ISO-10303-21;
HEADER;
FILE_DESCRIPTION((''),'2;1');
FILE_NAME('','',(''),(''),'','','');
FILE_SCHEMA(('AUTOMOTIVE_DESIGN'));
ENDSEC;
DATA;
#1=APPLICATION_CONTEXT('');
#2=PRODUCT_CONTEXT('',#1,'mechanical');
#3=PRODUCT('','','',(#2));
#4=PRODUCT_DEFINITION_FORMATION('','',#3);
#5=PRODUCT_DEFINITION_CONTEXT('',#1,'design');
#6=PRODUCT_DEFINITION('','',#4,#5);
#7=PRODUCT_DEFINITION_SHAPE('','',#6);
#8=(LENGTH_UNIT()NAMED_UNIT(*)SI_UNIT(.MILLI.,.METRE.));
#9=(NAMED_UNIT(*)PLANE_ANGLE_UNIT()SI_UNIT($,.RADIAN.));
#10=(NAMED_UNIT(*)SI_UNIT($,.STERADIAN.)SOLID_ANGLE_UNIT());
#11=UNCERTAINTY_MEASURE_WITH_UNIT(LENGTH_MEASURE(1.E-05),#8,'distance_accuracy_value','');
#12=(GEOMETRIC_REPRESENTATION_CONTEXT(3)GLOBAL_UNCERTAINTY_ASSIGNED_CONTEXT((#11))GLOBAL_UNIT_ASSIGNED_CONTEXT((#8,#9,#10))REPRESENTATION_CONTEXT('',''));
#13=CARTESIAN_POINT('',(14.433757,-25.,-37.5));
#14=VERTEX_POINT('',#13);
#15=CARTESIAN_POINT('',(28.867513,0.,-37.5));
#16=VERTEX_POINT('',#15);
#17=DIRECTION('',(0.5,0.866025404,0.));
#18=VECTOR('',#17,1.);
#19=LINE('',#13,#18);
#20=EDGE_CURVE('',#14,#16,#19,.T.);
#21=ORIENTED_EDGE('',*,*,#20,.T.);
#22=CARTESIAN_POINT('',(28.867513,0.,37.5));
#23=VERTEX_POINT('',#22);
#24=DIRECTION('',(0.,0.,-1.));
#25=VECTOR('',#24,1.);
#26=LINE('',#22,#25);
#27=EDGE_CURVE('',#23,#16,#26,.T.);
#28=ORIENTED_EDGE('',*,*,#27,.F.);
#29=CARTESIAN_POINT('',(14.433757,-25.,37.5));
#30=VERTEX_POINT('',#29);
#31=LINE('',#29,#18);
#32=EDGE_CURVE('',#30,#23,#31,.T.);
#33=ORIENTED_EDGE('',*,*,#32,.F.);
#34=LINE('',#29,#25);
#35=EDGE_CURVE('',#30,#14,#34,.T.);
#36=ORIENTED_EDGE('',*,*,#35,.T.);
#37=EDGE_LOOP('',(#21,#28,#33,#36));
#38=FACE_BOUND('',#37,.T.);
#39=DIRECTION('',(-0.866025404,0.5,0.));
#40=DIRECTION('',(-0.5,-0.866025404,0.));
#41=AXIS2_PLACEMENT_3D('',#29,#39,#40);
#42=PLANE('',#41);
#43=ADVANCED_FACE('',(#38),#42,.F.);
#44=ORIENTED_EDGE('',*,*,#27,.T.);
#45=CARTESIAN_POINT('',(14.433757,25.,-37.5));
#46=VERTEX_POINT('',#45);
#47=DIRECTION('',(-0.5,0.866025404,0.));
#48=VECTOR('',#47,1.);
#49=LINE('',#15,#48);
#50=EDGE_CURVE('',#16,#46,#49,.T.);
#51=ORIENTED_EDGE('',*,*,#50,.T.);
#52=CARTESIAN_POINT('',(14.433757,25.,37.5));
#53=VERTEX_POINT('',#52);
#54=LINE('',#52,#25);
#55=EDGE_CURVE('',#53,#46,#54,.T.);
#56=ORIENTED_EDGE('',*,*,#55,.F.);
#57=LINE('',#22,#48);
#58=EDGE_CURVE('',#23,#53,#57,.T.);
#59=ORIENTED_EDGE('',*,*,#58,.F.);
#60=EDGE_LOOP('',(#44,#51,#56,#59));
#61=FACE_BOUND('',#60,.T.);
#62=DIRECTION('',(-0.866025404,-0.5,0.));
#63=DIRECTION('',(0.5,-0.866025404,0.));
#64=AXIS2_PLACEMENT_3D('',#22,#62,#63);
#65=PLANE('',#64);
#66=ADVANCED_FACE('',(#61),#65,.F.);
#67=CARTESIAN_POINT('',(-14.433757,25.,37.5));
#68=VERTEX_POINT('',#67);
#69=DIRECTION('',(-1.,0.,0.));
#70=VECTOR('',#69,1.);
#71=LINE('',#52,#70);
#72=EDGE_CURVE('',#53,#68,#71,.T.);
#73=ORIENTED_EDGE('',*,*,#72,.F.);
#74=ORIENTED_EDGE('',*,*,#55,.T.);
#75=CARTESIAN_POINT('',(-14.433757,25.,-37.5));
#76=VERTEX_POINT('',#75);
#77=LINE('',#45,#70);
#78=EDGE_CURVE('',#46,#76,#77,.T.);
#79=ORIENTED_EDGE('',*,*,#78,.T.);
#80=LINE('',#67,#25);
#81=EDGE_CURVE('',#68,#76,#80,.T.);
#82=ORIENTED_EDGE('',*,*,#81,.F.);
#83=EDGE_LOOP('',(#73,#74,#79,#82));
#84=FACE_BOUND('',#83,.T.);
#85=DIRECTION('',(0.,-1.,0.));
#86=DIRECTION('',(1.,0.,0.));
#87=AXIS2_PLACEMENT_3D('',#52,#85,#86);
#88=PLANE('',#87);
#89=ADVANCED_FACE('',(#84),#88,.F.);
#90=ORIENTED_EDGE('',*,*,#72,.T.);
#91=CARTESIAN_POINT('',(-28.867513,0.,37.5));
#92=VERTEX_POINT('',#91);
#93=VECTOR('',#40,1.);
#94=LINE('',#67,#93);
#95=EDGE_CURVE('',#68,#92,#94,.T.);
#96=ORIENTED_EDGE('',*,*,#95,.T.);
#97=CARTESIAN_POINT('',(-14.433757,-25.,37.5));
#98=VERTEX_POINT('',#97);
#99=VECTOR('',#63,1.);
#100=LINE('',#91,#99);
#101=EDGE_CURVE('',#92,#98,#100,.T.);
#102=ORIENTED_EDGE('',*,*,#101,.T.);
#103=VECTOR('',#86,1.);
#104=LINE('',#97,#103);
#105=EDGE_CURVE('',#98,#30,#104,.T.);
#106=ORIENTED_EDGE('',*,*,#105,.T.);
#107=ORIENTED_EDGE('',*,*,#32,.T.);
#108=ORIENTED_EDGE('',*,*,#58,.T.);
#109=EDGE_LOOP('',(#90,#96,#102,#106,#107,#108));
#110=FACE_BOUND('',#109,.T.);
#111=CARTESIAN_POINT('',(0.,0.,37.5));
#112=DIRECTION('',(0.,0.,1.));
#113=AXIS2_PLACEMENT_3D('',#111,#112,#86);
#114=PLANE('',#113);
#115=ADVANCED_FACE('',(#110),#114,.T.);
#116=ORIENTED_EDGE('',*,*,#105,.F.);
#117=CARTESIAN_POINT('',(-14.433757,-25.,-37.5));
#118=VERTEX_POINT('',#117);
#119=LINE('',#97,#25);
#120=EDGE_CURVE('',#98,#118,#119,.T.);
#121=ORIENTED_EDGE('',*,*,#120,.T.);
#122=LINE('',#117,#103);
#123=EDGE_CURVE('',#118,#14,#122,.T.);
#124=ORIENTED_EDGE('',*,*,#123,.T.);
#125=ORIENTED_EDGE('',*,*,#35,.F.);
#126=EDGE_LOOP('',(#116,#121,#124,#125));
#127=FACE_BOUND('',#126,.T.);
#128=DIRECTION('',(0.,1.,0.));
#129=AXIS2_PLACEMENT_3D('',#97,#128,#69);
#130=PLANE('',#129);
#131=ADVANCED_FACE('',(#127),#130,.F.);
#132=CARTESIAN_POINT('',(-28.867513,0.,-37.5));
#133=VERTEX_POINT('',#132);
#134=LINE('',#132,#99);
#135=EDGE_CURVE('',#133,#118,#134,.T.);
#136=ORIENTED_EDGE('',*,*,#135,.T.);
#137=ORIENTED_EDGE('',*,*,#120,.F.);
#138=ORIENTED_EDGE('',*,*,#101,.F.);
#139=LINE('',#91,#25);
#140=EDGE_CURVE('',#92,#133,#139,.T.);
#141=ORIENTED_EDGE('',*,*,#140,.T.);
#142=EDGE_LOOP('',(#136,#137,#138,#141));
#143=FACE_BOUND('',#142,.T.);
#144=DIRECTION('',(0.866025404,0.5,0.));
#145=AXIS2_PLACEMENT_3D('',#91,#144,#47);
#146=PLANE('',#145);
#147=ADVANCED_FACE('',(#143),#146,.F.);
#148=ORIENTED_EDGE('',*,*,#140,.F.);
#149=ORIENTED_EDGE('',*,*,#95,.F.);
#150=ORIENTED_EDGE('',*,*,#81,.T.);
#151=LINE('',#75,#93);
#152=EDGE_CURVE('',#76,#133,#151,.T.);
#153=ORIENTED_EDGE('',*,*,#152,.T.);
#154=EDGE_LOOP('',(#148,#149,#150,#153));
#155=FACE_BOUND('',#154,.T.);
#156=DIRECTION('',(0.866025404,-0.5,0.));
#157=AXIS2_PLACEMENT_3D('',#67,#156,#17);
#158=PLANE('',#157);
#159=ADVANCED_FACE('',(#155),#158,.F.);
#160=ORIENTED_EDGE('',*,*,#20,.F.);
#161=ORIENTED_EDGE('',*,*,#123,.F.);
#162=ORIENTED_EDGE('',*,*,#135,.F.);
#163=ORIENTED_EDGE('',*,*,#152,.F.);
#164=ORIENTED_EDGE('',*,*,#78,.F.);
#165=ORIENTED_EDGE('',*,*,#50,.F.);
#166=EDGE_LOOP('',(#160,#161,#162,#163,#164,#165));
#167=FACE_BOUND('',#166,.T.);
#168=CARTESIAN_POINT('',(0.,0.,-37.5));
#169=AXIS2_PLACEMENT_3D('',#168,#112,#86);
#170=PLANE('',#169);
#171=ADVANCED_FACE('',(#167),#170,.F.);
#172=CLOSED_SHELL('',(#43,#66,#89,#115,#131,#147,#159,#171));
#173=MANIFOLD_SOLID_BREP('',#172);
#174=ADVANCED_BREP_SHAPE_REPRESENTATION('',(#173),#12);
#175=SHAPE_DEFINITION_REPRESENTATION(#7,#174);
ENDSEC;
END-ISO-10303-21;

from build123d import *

# Parameters (mm, degrees)
BOSS_EXTRUDE1_DEPTH = 37.5


with BuildPart() as part:
    # Sketch1 → Boss-Extrude1 (new body, symmetric)
    with BuildSketch(Plane.XY):
        Polygon((14.43375673, 25), (-14.43375673, 25), (-28.867513459, 0), (-14.43375673, -25), (14.43375673, -25), (28.867513459, 0), align=None)
    extrude(amount=BOSS_EXTRUDE1_DEPTH, both=True)


solid = part.part
